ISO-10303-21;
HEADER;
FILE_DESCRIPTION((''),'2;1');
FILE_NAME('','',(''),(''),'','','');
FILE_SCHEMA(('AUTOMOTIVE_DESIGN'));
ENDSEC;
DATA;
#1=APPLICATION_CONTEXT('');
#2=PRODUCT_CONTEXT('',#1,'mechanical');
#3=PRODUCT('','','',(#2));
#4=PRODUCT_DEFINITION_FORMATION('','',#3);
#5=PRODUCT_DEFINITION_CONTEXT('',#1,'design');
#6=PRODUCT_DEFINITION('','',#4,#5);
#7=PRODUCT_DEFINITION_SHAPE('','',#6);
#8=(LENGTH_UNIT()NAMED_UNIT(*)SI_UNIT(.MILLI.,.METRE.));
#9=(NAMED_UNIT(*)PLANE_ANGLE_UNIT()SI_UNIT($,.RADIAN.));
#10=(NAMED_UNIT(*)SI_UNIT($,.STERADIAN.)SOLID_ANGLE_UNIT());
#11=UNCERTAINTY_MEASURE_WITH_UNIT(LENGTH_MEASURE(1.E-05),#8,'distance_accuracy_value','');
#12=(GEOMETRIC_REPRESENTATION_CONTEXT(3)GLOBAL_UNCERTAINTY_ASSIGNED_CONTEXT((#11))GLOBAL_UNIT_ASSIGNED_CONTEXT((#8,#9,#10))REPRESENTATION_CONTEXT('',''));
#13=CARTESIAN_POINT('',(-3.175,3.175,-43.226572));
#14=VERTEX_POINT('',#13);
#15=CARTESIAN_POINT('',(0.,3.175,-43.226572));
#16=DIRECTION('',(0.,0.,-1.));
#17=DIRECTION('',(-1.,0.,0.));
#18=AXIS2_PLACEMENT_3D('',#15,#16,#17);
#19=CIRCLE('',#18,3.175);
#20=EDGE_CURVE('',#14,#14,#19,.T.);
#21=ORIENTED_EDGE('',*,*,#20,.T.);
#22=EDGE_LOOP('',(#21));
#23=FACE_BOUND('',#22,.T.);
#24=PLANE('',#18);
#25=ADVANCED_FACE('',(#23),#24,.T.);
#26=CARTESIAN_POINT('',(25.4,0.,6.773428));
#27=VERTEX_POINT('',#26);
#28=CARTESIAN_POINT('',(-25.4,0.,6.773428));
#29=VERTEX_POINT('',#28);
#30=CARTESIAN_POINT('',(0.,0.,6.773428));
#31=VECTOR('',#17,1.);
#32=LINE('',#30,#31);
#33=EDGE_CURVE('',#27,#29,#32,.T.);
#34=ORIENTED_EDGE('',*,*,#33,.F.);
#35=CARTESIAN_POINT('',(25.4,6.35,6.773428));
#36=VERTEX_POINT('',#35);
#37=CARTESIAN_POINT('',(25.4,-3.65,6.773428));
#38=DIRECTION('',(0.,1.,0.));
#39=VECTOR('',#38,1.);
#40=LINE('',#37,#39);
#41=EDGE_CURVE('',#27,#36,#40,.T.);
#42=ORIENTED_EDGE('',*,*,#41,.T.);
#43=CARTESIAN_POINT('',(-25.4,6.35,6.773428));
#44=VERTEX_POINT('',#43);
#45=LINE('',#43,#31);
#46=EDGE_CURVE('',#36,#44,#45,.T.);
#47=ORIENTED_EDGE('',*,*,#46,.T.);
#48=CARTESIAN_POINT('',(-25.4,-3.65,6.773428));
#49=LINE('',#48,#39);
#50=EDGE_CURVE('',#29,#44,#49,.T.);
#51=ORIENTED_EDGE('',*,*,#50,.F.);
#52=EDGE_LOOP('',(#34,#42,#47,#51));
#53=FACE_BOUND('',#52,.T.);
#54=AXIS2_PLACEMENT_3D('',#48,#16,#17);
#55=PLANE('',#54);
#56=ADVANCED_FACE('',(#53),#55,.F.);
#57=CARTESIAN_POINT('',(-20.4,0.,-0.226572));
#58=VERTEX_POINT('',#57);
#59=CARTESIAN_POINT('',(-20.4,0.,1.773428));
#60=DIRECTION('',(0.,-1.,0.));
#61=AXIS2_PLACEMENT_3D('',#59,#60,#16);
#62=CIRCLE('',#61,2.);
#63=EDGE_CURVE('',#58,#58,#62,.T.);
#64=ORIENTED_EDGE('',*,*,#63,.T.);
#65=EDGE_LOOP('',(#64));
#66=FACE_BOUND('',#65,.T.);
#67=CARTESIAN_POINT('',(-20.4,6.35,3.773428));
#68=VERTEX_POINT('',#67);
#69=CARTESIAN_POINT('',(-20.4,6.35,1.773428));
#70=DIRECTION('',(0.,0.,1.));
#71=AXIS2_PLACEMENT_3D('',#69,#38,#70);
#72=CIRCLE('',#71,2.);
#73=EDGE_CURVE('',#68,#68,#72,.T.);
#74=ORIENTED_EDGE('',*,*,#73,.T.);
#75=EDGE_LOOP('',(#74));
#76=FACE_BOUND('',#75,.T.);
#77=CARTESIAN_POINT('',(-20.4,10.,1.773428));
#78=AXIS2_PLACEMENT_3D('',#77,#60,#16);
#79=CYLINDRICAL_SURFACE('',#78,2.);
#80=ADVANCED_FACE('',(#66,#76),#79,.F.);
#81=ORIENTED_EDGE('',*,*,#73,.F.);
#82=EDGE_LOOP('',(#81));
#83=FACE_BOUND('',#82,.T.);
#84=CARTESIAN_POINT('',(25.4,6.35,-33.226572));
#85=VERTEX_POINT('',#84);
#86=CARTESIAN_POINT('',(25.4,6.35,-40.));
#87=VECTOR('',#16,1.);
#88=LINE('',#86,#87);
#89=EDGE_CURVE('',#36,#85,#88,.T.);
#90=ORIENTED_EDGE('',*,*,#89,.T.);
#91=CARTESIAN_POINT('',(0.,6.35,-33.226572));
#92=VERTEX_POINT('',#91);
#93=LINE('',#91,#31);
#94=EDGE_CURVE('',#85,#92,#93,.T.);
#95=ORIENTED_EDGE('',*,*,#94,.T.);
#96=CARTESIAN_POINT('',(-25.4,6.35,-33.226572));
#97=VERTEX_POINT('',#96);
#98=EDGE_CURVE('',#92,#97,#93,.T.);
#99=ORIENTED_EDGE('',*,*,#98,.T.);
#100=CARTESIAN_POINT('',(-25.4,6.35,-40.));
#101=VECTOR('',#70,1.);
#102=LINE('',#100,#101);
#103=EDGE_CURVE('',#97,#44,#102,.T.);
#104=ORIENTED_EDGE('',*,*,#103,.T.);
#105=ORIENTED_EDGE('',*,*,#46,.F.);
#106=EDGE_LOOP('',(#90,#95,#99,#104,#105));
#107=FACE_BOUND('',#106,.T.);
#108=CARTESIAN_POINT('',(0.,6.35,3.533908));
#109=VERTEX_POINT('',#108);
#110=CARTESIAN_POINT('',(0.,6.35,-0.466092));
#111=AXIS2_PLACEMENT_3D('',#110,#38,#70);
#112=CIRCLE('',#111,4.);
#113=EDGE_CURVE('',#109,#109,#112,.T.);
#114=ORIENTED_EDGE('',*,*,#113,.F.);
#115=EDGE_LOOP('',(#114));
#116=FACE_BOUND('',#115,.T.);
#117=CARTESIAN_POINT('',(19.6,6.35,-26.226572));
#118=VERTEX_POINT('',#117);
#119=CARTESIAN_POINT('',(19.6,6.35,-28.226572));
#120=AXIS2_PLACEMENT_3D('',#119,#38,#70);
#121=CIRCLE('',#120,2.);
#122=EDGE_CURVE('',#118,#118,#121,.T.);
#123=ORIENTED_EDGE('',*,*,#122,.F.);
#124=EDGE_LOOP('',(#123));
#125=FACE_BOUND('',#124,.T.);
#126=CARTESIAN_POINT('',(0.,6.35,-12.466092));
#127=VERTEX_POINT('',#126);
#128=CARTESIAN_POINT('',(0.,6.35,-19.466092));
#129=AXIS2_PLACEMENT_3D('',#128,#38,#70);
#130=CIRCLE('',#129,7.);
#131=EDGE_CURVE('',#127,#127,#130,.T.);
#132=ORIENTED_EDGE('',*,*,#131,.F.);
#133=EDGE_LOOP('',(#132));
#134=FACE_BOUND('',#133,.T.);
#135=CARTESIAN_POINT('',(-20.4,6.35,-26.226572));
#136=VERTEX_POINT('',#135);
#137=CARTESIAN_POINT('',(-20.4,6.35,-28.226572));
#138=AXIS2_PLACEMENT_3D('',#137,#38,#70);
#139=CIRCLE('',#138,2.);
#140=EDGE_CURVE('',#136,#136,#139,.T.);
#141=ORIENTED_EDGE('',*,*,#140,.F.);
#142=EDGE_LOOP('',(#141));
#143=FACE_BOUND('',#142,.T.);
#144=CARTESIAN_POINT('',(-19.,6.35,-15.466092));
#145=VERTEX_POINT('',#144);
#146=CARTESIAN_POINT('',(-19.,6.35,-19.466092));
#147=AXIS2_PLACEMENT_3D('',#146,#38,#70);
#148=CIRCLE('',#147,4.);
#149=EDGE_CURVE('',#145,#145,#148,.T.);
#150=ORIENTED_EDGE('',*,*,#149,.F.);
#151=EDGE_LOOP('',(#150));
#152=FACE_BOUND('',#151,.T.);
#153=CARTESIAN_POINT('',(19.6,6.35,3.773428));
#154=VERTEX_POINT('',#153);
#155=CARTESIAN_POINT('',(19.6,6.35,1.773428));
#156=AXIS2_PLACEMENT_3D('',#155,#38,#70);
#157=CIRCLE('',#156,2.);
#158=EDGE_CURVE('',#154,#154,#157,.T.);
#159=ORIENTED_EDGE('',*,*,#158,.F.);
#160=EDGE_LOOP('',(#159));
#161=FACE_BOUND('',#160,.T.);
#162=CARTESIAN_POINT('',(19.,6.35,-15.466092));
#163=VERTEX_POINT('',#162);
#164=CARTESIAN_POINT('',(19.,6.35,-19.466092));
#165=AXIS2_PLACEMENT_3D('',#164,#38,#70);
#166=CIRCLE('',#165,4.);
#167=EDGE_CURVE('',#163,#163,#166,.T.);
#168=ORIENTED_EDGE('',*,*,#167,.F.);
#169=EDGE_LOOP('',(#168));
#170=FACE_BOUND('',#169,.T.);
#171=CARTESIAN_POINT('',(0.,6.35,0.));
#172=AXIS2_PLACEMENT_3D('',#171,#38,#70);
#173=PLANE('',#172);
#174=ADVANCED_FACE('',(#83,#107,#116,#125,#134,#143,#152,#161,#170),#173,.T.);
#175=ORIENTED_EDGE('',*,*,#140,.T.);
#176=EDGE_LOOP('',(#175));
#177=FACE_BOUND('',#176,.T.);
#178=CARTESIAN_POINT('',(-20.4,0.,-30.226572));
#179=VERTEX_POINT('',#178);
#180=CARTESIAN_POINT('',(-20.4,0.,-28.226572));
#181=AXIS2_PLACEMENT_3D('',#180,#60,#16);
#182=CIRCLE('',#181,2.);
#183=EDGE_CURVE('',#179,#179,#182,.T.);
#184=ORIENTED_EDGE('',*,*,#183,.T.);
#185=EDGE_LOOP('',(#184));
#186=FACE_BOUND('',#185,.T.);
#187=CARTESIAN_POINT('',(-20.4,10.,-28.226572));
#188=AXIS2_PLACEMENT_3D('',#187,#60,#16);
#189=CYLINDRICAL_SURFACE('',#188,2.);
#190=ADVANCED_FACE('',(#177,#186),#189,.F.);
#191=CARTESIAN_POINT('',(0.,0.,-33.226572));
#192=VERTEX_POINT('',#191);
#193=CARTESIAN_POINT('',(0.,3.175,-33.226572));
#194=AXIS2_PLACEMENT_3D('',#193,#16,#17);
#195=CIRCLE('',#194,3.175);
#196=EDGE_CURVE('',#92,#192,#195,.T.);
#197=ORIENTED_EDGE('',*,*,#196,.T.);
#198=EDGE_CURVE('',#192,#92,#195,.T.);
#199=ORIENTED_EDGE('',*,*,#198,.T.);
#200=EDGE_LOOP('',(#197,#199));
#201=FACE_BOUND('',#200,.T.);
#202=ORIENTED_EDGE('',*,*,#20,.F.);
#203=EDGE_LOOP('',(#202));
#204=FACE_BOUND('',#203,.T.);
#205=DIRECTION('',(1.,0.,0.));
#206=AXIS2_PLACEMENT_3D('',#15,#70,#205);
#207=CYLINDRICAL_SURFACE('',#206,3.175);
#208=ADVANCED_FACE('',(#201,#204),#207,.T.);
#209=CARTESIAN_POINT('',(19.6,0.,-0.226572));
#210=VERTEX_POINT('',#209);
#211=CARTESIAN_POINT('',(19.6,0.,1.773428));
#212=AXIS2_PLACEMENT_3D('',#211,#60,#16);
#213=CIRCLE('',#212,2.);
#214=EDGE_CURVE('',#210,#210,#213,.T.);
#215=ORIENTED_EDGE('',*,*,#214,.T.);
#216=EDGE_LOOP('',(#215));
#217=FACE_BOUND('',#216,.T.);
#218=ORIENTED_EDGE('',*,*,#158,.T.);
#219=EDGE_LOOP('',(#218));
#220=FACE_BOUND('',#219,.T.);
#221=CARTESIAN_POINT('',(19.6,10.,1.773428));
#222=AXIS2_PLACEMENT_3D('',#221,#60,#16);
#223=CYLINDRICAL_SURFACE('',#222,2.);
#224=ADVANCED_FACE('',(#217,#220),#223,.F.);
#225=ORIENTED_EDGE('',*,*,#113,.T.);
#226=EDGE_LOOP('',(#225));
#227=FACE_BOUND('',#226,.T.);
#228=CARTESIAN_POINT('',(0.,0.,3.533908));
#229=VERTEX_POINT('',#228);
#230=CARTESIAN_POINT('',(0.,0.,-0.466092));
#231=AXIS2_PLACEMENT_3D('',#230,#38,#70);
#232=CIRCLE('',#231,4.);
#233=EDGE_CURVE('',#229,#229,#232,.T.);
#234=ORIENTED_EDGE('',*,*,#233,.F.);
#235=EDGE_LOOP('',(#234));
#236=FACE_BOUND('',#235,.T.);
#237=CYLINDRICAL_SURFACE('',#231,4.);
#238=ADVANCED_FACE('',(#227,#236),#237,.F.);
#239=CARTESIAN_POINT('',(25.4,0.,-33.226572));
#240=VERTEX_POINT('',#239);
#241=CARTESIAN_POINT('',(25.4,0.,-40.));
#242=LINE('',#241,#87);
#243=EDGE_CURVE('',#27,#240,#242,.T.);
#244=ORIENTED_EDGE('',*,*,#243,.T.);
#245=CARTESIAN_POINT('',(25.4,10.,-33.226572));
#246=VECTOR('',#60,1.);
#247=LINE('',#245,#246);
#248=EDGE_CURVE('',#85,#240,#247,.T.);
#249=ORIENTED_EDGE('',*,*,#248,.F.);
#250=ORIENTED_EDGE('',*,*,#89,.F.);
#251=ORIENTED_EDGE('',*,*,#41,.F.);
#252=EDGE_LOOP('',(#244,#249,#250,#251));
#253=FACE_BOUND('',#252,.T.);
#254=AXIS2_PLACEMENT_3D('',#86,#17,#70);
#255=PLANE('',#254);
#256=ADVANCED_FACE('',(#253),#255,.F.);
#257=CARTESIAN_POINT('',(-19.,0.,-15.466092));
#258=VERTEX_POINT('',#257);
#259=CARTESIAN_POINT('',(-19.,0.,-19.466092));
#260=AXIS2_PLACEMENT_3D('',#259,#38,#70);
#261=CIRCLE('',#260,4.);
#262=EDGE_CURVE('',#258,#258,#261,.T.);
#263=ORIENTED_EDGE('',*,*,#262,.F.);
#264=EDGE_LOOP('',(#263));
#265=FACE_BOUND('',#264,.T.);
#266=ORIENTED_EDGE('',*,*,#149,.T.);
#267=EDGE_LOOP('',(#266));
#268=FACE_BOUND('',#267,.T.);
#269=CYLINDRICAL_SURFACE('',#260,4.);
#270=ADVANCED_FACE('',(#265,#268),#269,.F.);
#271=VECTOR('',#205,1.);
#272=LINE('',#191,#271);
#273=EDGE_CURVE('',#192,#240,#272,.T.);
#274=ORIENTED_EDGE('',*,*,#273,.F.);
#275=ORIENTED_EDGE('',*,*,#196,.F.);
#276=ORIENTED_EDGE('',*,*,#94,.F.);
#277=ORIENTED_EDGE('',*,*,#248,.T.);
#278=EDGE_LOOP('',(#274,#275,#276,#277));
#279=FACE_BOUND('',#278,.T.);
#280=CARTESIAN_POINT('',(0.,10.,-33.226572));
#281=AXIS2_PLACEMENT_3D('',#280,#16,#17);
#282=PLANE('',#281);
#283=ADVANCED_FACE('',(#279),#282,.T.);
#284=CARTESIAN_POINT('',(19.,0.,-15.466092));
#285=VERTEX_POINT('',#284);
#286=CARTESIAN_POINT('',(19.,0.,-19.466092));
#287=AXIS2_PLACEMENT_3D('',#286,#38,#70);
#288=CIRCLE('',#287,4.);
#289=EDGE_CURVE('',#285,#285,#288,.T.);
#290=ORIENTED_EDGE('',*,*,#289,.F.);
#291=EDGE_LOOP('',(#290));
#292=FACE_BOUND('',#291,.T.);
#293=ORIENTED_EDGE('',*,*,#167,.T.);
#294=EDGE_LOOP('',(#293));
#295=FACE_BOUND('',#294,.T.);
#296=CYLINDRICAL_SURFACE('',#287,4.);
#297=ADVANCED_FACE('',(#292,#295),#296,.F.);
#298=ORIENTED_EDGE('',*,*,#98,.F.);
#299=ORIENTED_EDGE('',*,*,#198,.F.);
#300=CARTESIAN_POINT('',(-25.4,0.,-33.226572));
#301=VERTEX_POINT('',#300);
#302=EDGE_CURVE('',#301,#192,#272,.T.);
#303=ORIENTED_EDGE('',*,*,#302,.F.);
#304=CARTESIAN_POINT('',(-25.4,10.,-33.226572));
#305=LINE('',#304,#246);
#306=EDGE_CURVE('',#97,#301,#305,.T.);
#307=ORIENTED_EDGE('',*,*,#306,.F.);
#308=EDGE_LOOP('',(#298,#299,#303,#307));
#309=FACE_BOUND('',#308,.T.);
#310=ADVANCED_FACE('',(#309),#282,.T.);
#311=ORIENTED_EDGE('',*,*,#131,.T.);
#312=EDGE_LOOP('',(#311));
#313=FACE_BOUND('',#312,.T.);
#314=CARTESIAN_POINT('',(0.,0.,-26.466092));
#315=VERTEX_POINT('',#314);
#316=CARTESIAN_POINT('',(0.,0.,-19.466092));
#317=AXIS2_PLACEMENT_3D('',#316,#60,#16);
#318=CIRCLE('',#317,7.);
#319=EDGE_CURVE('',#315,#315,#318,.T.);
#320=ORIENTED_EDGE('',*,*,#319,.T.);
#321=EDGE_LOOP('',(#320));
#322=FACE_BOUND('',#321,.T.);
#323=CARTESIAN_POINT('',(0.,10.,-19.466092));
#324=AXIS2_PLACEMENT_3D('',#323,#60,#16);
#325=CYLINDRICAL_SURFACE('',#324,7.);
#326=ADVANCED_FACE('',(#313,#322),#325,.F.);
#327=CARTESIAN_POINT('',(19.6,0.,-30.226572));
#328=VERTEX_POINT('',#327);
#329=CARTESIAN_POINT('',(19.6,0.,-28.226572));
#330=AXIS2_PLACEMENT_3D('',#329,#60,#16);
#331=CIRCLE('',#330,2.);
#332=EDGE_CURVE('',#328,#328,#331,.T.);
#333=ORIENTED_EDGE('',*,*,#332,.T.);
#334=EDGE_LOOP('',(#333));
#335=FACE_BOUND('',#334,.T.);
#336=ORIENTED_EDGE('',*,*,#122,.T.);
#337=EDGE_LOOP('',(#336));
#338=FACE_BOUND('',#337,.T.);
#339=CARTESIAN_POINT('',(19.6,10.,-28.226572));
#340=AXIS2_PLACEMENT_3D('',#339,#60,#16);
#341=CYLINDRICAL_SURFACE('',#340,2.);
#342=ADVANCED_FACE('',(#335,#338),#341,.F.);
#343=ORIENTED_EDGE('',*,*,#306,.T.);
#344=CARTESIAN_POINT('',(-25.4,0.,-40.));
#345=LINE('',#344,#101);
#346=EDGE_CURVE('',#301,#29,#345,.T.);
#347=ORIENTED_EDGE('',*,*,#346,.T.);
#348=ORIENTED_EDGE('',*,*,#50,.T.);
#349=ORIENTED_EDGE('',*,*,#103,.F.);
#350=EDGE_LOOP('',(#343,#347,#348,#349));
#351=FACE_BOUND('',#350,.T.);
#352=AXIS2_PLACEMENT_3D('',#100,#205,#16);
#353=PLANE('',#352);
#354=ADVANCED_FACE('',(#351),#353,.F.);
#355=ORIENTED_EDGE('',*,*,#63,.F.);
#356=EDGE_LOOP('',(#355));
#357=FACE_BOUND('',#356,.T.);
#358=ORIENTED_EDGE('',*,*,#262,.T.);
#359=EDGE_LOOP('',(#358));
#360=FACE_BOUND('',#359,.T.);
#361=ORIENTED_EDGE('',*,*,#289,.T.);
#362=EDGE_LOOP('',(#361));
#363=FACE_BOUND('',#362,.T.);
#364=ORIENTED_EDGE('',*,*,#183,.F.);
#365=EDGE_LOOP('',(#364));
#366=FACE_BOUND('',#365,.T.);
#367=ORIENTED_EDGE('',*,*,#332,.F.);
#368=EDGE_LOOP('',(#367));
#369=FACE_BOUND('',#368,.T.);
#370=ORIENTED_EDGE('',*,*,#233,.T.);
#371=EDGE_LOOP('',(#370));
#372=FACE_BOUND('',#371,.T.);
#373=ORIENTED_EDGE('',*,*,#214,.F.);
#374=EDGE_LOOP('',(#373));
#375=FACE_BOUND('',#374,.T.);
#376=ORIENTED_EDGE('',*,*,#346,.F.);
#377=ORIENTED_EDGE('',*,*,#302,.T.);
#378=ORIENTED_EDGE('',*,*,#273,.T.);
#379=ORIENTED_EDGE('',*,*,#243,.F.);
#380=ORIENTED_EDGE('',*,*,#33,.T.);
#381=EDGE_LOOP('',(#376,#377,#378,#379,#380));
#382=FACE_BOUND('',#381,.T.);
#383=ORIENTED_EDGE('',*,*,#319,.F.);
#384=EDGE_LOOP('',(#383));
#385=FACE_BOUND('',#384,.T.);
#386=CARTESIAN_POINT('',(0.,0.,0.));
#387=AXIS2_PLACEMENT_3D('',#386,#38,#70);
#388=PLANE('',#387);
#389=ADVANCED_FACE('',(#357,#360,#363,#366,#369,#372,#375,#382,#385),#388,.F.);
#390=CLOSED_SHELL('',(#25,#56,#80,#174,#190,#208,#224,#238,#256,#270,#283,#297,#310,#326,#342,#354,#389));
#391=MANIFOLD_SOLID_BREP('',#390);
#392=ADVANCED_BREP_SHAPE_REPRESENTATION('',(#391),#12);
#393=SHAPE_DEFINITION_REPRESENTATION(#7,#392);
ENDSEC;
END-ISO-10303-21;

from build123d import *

# Parameters (mm, degrees)
CROQUIS1_W              = 50.8
CROQUIS1_H              = 80
SALIENTE_EXTRUIR1_DEPTH = 6.35
CROQUIS4_R              = 4
CORTAR_EXTRUIR3_DEPTH   = 48.806720239
CROQUIS5_W              = 50.8
CROQUIS5_H              = 12.7
CORTAR_EXTRUIR4_DEPTH   = 48.806720239
CROQUIS6_W              = 50.8
CROQUIS6_H              = 20.526572449
CORTAR_EXTRUIR5_DEPTH   = 10
CROQUIS7_W              = 50.8
CROQUIS7_H              = 6.773427551
CORTAR_EXTRUIR6_DEPTH   = 10
CROQUIS8_R              = 3.175
SALIENTE_EXTRUIR2_DEPTH = 10
CROQUIS9_R              = 7
CORTAR_EXTRUIR7_DEPTH   = 10
CROQUIS10_R             = 2
CORTAR_EXTRUIR8_DEPTH   = 10


with BuildPart() as part:
    # Croquis1 → Saliente-Extruir1 (new body)
    with BuildSketch(Plane(origin=(0, 0, 0), x_dir=(1, 0, 0), z_dir=(0, 1, 0))):
        Rectangle(CROQUIS1_W, CROQUIS1_H)
    extrude(amount=SALIENTE_EXTRUIR1_DEPTH)

    # Croquis4 → Cortar-Extruir3 (cut, through all)
    with BuildSketch(Plane(origin=(0, 6.35, 0), x_dir=(1, 0, 0), z_dir=(0, 1, 0))):
        with Locations(Location((-19, 19.466091849, 0), (0, 0, 270))):
            Circle(CROQUIS4_R)
        with Locations(Location((19, 19.466091849, 0), (0, 0, 270))):
            Circle(CROQUIS4_R)
        with Locations(Location((0, 0.466091849, 0), (0, 0, 270))):
            Circle(CROQUIS4_R)
    extrude(amount=-CORTAR_EXTRUIR3_DEPTH, mode=Mode.SUBTRACT)

    # Croquis5 → Cortar-Extruir4 (cut, through all)
    with BuildSketch(Plane(origin=(0, 6.35, 0), x_dir=(1, 0, 0), z_dir=(0, 1, 0))):
        with Locations((0, -33.65)):
            Rectangle(CROQUIS5_W, CROQUIS5_H)
    extrude(amount=-CORTAR_EXTRUIR4_DEPTH, mode=Mode.SUBTRACT)

    # Croquis6 → Cortar-Extruir5 (cut)
    with BuildSketch(Plane(origin=(0, 6.35, 0), x_dir=(1, 0, 0), z_dir=(0, 1, 0))):
        with Locations((0, -17.036713776)):
            Rectangle(CROQUIS6_W, CROQUIS6_H)
    extrude(amount=-CORTAR_EXTRUIR5_DEPTH, mode=Mode.SUBTRACT)

    # Croquis7 → Cortar-Extruir6 (cut)
    with BuildSketch(Plane.XZ):
        with Locations((0, -36.613286225)):
            Rectangle(CROQUIS7_W, CROQUIS7_H)
    extrude(amount=-CORTAR_EXTRUIR6_DEPTH, mode=Mode.SUBTRACT)

    # Croquis8 → Saliente-Extruir2 (add)
    with BuildSketch(Plane(origin=(0, 0, -33.226572449), x_dir=(-1, 0, 0), z_dir=(0, 0, -1))):
        with Locations(Location((0, 3.175, 0), (0, 0, 270))):
            Circle(CROQUIS8_R)
    extrude(amount=SALIENTE_EXTRUIR2_DEPTH)

    # Croquis9 → Cortar-Extruir7 (cut)
    with BuildSketch(Plane.XZ):
        with Locations(Location((0, -19.466091849, 0), (0, 0, 270))):
            Circle(CROQUIS9_R)
    extrude(amount=-CORTAR_EXTRUIR7_DEPTH, mode=Mode.SUBTRACT)

    # Croquis10 → Cortar-Extruir8 (cut)
    with BuildSketch(Plane.XZ):
        with Locations(Location((-20.4, 1.773427551, 0), (0, 0, 270))):
            Circle(CROQUIS10_R)
        with Locations(Location((19.6, 1.773427551, 0), (0, 0, 270))):
            Circle(CROQUIS10_R)
        with Locations(Location((19.6, -28.226572449, 0), (0, 0, 270))):
            Circle(CROQUIS10_R)
        with Locations(Location((-20.4, -28.226572449, 0), (0, 0, 270))):
            Circle(CROQUIS10_R)
    extrude(amount=-CORTAR_EXTRUIR8_DEPTH, mode=Mode.SUBTRACT)


solid = part.part
